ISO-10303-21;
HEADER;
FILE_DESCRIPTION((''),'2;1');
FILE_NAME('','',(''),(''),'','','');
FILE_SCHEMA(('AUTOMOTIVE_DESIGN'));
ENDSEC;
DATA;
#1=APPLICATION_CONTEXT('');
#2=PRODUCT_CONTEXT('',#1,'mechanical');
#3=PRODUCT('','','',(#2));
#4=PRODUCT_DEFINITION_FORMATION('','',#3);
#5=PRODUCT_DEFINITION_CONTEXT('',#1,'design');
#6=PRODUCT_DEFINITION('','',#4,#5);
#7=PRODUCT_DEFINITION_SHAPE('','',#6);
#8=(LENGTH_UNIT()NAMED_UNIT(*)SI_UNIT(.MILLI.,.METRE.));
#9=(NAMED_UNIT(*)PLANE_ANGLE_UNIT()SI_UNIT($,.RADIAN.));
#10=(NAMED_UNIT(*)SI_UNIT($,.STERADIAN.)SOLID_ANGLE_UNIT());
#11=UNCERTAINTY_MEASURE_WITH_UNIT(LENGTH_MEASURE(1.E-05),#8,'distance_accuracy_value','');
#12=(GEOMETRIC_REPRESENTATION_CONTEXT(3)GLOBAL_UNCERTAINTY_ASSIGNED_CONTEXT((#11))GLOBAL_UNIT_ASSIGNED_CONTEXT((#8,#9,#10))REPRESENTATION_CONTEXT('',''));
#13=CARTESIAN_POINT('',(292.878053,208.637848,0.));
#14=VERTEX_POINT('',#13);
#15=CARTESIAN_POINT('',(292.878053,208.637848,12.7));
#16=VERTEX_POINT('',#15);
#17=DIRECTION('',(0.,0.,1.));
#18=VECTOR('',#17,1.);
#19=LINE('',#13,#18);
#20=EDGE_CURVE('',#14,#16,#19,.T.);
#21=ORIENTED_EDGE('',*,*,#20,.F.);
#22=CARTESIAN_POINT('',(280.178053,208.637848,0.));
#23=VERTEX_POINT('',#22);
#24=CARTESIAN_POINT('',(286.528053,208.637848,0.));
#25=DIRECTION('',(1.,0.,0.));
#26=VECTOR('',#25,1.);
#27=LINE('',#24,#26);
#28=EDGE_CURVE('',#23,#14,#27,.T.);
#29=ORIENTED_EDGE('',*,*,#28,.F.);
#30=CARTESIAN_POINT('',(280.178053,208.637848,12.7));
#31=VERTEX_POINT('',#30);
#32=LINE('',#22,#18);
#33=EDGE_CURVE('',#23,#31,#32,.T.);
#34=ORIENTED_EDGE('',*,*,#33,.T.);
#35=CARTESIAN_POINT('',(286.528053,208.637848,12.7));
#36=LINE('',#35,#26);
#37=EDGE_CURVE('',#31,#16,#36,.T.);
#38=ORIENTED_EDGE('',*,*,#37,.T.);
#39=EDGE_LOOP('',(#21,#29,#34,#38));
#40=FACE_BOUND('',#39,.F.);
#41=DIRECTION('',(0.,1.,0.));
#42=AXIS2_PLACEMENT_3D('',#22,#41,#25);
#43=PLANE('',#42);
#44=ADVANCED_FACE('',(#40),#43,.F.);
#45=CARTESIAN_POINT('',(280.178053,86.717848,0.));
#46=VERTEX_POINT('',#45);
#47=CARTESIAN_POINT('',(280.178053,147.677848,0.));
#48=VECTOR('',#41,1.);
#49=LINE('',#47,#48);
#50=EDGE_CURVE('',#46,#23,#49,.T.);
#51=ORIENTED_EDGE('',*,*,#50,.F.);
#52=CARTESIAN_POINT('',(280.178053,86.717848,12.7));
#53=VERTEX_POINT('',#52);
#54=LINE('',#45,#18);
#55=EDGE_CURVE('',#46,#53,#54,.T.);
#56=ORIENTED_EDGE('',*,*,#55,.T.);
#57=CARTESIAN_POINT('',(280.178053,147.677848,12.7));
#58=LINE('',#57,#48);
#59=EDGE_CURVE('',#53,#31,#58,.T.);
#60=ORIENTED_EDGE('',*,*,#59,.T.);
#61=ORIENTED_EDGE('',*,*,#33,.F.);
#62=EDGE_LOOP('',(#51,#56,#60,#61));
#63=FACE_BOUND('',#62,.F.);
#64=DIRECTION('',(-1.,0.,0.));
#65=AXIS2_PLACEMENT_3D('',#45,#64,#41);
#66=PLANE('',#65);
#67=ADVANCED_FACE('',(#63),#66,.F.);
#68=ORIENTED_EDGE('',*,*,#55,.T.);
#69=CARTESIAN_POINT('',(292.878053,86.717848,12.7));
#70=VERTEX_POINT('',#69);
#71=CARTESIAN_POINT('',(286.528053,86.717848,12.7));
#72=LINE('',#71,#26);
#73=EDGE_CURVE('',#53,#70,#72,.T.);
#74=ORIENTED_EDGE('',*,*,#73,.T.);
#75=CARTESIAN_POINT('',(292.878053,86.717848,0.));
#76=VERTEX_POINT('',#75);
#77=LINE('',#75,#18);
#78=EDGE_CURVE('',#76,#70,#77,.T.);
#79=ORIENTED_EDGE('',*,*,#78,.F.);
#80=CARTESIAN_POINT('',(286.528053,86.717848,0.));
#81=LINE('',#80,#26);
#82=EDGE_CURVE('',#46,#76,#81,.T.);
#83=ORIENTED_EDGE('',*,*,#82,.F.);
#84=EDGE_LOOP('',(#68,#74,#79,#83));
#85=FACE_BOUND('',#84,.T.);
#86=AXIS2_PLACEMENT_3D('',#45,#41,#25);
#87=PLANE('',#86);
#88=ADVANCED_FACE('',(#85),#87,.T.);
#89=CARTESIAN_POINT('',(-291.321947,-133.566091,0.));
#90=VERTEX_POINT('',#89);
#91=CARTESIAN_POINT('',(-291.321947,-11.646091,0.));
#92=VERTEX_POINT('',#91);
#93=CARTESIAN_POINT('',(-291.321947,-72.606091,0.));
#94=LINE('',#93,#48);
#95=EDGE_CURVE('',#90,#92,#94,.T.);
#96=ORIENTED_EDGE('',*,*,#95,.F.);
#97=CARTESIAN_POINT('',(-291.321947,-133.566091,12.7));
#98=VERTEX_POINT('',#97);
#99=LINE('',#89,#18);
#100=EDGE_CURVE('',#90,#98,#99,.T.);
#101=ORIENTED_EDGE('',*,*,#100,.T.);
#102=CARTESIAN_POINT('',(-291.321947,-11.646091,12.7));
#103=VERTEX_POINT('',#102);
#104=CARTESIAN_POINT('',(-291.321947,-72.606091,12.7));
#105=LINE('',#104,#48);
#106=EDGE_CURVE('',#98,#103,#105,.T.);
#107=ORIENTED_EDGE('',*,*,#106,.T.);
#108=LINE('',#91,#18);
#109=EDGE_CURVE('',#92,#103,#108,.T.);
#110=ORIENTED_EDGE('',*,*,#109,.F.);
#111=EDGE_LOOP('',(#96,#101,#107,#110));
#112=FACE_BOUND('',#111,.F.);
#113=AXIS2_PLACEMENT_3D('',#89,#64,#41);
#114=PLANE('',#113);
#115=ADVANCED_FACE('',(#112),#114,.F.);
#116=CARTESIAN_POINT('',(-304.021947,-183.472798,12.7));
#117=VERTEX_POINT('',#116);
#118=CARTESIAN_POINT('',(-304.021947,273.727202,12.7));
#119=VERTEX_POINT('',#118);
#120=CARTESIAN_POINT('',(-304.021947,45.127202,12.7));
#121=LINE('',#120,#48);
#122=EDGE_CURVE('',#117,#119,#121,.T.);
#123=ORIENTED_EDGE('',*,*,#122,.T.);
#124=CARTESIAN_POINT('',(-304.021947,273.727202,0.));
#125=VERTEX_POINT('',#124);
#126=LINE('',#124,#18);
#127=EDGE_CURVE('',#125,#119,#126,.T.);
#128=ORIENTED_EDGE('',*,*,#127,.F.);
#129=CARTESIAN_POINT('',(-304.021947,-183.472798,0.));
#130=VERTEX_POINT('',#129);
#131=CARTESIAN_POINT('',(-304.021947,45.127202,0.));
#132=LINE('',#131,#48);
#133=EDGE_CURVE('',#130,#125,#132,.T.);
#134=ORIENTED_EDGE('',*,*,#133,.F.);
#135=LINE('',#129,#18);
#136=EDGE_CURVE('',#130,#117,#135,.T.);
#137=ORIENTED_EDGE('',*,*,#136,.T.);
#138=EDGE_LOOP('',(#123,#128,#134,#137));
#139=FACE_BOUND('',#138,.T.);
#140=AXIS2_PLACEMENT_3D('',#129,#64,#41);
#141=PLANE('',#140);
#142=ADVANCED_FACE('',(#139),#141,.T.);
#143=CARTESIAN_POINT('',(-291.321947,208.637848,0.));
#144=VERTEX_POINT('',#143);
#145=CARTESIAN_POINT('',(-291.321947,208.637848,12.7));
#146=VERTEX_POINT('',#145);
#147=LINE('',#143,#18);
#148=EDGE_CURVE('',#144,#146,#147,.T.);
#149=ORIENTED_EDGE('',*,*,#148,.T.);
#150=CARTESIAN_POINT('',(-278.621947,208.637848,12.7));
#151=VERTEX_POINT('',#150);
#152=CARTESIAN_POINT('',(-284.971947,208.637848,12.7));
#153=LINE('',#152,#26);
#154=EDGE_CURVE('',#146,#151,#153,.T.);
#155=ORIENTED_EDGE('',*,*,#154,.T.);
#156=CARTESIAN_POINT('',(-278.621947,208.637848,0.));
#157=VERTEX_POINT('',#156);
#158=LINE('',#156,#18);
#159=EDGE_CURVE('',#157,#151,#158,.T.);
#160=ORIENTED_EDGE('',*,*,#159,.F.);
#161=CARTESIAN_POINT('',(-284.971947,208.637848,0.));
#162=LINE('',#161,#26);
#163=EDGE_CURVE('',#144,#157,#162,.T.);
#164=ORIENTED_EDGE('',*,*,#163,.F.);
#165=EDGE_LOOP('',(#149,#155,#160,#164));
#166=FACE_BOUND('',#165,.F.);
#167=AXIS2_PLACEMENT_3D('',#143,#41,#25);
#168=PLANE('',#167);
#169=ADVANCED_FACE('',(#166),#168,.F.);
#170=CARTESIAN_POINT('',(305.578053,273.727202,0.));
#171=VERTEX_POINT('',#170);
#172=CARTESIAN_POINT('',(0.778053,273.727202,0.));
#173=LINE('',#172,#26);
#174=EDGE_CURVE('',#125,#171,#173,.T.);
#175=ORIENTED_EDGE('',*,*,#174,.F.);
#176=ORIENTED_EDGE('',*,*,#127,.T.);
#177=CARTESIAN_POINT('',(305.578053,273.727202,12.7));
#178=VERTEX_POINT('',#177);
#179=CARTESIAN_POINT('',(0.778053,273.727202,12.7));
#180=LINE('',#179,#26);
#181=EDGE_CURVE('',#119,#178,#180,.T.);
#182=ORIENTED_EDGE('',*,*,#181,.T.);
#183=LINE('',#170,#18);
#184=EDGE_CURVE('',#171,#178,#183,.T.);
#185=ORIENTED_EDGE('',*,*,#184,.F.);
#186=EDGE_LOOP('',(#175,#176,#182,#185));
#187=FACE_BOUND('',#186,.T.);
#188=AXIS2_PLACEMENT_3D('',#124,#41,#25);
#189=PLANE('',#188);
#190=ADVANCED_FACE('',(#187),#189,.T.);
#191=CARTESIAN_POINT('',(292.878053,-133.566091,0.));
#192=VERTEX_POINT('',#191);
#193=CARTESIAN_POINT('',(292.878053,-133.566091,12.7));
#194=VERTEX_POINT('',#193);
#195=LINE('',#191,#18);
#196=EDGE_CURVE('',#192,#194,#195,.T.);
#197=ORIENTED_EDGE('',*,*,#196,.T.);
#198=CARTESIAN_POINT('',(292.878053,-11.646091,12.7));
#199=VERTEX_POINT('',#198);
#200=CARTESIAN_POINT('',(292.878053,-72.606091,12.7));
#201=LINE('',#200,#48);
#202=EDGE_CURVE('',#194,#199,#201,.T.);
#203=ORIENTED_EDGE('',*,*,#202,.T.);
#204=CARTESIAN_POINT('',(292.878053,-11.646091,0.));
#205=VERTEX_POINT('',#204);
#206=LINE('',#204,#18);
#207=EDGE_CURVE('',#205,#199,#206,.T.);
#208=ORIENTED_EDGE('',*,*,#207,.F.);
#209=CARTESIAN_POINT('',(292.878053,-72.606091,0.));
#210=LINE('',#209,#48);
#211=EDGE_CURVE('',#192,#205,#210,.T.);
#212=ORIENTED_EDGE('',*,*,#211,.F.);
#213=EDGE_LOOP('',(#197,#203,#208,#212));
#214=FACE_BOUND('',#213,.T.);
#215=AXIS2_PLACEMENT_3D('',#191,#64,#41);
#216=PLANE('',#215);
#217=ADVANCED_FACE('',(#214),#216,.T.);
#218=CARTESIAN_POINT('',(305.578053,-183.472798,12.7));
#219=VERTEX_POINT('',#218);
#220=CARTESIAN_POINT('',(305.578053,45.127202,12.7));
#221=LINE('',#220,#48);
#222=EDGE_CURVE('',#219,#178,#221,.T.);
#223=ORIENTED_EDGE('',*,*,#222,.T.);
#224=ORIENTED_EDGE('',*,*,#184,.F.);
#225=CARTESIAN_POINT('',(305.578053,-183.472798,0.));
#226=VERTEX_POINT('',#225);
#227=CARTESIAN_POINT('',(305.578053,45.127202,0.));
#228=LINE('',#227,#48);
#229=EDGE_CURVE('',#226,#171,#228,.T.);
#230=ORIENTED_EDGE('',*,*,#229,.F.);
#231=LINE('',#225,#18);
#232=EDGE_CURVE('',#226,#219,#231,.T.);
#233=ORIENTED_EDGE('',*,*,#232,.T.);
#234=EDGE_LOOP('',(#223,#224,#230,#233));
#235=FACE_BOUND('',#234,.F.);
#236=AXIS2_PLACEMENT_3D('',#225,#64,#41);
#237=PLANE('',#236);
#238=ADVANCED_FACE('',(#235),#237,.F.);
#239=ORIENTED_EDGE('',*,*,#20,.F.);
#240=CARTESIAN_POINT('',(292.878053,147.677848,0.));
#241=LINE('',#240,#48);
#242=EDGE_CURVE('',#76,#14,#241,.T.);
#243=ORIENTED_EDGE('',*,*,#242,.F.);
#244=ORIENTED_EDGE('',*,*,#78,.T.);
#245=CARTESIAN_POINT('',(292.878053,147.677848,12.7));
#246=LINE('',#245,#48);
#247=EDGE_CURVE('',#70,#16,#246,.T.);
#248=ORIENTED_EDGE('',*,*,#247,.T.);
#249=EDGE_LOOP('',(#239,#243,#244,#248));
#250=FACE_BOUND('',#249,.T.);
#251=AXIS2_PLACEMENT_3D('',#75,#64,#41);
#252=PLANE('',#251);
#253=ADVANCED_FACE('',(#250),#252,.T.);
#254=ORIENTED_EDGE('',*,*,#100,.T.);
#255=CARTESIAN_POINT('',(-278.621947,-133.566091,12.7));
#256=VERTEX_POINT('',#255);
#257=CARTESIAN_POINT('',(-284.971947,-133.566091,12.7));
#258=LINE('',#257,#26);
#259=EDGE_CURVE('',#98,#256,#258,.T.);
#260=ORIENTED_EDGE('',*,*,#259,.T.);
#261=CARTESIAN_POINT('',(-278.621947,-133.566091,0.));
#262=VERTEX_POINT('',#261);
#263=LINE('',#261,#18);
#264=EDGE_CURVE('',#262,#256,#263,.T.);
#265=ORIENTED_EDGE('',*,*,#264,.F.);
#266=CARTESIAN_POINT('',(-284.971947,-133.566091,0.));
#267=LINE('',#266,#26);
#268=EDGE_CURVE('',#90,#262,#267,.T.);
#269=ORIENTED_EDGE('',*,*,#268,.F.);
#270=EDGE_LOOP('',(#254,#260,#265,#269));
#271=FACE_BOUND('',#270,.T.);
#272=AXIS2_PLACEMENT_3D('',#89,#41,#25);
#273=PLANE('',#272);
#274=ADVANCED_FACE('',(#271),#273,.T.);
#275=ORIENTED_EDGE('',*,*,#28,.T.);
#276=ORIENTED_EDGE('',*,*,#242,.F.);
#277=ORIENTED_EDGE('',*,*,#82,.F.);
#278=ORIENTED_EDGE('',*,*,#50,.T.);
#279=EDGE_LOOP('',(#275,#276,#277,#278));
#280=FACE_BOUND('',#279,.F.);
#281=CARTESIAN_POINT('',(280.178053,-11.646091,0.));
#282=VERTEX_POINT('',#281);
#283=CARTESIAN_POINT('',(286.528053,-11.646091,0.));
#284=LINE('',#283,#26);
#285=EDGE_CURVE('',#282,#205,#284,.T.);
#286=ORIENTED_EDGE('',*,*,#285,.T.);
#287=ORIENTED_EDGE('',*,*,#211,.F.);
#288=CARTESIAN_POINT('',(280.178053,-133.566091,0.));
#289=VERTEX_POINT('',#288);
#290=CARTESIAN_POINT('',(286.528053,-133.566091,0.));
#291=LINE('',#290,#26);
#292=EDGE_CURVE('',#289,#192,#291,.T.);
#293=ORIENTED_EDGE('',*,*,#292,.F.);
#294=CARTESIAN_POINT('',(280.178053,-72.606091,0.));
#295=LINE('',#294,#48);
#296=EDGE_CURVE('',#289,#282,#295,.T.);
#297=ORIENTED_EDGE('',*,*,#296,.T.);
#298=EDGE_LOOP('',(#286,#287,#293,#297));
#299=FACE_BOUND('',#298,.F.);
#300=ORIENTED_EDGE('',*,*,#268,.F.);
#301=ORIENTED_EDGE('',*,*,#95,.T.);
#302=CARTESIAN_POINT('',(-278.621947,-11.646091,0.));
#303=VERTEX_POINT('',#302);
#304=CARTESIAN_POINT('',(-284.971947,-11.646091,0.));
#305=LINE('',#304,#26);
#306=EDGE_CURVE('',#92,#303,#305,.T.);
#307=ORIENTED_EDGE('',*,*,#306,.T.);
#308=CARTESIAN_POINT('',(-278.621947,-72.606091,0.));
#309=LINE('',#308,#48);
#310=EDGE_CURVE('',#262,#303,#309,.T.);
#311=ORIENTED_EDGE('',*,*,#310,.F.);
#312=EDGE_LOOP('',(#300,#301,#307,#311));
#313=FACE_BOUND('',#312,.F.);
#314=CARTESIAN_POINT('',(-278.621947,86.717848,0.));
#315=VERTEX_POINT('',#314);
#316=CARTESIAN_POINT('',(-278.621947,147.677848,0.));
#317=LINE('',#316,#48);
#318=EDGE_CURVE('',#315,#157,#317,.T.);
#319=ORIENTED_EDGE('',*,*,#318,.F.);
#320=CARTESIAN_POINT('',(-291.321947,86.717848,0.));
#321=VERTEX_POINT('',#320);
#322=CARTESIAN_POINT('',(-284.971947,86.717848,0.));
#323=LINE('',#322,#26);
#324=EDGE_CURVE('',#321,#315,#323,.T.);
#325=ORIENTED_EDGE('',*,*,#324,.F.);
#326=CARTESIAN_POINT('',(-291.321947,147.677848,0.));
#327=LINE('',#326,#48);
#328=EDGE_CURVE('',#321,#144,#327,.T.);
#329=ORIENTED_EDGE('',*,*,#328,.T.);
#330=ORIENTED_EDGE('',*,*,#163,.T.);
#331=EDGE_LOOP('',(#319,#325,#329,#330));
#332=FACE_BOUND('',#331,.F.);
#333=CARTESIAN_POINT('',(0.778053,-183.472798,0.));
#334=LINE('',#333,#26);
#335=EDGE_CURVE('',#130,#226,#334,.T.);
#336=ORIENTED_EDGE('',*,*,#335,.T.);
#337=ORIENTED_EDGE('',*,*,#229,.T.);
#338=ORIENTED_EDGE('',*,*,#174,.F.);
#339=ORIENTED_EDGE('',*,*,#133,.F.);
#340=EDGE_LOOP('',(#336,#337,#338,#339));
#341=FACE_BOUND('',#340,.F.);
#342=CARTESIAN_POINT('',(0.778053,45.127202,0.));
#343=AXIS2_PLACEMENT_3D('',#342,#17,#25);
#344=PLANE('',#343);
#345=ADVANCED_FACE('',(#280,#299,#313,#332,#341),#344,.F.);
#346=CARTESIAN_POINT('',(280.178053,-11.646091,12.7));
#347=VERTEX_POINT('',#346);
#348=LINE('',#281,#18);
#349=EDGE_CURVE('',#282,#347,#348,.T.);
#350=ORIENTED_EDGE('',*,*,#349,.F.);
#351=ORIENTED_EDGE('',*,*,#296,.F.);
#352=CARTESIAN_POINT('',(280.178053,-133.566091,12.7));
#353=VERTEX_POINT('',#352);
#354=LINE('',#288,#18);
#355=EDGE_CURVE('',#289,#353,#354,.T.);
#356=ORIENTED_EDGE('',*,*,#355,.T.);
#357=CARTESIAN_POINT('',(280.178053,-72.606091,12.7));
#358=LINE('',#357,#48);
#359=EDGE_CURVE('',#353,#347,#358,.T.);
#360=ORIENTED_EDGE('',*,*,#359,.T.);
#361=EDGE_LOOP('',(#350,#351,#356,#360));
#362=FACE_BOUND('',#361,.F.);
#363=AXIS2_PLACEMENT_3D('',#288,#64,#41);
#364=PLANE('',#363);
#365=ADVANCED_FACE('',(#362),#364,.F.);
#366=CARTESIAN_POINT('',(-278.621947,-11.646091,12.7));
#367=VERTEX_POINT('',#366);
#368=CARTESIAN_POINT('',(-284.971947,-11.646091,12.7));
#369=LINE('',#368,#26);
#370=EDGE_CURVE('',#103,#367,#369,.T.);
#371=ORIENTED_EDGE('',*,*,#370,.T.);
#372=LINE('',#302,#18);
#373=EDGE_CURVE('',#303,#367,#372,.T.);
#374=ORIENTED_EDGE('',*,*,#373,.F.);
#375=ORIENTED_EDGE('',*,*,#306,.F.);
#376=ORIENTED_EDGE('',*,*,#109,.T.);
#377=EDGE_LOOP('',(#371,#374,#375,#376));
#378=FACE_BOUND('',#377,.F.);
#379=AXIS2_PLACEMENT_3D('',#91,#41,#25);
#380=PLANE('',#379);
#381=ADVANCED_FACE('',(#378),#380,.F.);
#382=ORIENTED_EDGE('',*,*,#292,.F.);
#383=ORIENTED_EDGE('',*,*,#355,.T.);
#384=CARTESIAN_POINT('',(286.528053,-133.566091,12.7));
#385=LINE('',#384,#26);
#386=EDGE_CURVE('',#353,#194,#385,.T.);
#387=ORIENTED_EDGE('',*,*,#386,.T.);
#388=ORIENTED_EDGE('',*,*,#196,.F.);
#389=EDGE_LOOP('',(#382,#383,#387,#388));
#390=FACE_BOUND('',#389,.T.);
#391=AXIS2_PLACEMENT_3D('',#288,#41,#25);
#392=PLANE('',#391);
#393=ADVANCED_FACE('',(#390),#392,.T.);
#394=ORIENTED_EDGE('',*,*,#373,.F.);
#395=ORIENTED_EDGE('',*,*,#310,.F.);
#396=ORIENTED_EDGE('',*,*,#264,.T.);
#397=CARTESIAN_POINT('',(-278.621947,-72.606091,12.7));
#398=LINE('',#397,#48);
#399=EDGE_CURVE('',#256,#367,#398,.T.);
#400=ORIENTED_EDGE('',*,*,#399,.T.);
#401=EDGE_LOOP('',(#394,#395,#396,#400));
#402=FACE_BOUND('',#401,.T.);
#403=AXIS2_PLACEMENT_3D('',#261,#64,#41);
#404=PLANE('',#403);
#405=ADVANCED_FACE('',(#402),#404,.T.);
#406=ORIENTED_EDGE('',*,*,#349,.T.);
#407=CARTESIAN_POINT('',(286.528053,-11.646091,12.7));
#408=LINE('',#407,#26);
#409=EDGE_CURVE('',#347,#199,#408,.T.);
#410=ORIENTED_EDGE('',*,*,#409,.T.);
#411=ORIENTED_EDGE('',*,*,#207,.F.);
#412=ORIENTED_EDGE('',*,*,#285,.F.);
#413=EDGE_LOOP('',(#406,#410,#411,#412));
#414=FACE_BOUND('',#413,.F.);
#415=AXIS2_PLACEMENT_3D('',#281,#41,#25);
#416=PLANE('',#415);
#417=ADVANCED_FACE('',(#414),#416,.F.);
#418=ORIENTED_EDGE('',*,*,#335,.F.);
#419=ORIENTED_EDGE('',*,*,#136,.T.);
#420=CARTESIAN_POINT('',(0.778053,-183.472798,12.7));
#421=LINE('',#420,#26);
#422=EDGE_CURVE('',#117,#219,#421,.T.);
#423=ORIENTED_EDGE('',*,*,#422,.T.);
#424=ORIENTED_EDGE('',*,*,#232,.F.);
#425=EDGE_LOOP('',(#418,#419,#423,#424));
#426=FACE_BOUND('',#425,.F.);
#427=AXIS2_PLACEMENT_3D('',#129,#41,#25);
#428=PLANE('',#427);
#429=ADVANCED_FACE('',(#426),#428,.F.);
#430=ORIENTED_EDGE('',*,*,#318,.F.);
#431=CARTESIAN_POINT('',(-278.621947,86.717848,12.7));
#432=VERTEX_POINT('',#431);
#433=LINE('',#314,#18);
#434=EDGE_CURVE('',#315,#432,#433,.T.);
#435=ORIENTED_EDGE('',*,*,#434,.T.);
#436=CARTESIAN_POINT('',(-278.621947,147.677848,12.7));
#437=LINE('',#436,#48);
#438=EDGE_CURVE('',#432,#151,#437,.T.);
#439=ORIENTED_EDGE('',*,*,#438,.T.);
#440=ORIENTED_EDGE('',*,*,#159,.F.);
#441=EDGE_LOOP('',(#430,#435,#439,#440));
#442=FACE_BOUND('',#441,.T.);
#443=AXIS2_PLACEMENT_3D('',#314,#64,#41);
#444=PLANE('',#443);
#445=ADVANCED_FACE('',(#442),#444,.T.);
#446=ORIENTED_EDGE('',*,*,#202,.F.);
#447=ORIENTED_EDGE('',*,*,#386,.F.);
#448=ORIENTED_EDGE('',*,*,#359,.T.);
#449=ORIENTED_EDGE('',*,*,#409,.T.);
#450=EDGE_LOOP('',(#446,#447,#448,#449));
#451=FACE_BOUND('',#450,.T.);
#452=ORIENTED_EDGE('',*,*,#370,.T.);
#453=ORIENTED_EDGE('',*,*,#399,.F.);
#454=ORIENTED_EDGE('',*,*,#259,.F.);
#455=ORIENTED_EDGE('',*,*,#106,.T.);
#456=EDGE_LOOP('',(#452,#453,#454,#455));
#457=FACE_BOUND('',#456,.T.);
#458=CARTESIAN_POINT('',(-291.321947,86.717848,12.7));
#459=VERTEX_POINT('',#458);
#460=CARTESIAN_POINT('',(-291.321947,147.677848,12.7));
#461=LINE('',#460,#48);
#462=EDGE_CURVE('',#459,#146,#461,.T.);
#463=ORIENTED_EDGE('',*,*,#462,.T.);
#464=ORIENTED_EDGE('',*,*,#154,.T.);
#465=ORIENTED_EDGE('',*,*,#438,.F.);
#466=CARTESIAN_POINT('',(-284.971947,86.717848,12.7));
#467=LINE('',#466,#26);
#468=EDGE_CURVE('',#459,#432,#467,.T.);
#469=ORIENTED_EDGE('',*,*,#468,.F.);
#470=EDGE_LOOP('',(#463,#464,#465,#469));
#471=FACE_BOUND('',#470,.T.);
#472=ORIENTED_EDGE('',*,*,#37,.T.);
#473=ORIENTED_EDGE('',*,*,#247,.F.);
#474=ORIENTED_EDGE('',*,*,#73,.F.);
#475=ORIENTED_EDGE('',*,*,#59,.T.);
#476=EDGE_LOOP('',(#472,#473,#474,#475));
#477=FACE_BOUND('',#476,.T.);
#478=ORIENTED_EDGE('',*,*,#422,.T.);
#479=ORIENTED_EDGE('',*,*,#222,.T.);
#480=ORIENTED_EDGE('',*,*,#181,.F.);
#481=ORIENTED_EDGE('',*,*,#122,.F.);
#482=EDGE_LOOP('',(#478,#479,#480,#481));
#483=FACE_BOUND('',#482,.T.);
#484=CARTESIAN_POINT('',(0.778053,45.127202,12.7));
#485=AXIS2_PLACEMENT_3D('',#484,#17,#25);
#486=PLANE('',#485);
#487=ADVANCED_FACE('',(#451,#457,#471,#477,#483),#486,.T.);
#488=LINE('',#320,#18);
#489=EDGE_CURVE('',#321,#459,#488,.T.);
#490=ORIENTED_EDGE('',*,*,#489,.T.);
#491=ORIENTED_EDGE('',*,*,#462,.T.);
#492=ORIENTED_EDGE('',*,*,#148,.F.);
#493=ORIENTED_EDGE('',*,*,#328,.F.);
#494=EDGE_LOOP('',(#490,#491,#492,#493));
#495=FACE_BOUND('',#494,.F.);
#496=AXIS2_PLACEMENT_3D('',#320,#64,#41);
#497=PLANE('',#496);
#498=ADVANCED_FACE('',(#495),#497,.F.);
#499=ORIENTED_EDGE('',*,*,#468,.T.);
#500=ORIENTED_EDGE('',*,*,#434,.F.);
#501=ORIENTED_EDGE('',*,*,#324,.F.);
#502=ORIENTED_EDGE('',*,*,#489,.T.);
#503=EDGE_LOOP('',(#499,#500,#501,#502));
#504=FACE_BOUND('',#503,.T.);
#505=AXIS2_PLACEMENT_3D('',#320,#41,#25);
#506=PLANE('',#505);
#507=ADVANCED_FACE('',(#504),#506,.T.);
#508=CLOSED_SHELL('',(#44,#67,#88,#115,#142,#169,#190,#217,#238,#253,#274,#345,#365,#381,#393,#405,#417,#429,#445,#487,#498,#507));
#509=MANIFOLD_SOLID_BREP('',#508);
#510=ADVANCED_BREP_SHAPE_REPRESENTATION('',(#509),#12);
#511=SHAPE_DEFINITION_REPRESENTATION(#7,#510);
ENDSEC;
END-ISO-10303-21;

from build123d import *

# Parameters (mm, degrees)
F0_W     = 609.6
F0_H     = 457.2
F2_DEPTH = 12.7
F1_W     = 12.7
F1_H     = 121.92
F3_DEPTH = 12.7


with BuildPart() as f2:
    # F0 (on Top) → F2 (new body)
    with BuildSketch(Plane.XY):
        with Locations((0.778053, 45.127202)):
            Rectangle(F0_W, F0_H)
    extrude(amount=F2_DEPTH)

    # F1 (on Top) → F3 (cut)
    with BuildSketch(Plane.XY):
        with Locations((-284.971947, 147.677848)):
            Rectangle(F1_W, F1_H)
        with Locations((-284.971947, -72.606091)):
            Rectangle(F1_W, F1_H)
        with Locations((286.528053, 147.677848)):
            Rectangle(F1_W, F1_H)
        with Locations((286.528053, -72.606091)):
            Rectangle(F1_W, F1_H)
    extrude(amount=F3_DEPTH, mode=Mode.SUBTRACT)


solid = f2.part
